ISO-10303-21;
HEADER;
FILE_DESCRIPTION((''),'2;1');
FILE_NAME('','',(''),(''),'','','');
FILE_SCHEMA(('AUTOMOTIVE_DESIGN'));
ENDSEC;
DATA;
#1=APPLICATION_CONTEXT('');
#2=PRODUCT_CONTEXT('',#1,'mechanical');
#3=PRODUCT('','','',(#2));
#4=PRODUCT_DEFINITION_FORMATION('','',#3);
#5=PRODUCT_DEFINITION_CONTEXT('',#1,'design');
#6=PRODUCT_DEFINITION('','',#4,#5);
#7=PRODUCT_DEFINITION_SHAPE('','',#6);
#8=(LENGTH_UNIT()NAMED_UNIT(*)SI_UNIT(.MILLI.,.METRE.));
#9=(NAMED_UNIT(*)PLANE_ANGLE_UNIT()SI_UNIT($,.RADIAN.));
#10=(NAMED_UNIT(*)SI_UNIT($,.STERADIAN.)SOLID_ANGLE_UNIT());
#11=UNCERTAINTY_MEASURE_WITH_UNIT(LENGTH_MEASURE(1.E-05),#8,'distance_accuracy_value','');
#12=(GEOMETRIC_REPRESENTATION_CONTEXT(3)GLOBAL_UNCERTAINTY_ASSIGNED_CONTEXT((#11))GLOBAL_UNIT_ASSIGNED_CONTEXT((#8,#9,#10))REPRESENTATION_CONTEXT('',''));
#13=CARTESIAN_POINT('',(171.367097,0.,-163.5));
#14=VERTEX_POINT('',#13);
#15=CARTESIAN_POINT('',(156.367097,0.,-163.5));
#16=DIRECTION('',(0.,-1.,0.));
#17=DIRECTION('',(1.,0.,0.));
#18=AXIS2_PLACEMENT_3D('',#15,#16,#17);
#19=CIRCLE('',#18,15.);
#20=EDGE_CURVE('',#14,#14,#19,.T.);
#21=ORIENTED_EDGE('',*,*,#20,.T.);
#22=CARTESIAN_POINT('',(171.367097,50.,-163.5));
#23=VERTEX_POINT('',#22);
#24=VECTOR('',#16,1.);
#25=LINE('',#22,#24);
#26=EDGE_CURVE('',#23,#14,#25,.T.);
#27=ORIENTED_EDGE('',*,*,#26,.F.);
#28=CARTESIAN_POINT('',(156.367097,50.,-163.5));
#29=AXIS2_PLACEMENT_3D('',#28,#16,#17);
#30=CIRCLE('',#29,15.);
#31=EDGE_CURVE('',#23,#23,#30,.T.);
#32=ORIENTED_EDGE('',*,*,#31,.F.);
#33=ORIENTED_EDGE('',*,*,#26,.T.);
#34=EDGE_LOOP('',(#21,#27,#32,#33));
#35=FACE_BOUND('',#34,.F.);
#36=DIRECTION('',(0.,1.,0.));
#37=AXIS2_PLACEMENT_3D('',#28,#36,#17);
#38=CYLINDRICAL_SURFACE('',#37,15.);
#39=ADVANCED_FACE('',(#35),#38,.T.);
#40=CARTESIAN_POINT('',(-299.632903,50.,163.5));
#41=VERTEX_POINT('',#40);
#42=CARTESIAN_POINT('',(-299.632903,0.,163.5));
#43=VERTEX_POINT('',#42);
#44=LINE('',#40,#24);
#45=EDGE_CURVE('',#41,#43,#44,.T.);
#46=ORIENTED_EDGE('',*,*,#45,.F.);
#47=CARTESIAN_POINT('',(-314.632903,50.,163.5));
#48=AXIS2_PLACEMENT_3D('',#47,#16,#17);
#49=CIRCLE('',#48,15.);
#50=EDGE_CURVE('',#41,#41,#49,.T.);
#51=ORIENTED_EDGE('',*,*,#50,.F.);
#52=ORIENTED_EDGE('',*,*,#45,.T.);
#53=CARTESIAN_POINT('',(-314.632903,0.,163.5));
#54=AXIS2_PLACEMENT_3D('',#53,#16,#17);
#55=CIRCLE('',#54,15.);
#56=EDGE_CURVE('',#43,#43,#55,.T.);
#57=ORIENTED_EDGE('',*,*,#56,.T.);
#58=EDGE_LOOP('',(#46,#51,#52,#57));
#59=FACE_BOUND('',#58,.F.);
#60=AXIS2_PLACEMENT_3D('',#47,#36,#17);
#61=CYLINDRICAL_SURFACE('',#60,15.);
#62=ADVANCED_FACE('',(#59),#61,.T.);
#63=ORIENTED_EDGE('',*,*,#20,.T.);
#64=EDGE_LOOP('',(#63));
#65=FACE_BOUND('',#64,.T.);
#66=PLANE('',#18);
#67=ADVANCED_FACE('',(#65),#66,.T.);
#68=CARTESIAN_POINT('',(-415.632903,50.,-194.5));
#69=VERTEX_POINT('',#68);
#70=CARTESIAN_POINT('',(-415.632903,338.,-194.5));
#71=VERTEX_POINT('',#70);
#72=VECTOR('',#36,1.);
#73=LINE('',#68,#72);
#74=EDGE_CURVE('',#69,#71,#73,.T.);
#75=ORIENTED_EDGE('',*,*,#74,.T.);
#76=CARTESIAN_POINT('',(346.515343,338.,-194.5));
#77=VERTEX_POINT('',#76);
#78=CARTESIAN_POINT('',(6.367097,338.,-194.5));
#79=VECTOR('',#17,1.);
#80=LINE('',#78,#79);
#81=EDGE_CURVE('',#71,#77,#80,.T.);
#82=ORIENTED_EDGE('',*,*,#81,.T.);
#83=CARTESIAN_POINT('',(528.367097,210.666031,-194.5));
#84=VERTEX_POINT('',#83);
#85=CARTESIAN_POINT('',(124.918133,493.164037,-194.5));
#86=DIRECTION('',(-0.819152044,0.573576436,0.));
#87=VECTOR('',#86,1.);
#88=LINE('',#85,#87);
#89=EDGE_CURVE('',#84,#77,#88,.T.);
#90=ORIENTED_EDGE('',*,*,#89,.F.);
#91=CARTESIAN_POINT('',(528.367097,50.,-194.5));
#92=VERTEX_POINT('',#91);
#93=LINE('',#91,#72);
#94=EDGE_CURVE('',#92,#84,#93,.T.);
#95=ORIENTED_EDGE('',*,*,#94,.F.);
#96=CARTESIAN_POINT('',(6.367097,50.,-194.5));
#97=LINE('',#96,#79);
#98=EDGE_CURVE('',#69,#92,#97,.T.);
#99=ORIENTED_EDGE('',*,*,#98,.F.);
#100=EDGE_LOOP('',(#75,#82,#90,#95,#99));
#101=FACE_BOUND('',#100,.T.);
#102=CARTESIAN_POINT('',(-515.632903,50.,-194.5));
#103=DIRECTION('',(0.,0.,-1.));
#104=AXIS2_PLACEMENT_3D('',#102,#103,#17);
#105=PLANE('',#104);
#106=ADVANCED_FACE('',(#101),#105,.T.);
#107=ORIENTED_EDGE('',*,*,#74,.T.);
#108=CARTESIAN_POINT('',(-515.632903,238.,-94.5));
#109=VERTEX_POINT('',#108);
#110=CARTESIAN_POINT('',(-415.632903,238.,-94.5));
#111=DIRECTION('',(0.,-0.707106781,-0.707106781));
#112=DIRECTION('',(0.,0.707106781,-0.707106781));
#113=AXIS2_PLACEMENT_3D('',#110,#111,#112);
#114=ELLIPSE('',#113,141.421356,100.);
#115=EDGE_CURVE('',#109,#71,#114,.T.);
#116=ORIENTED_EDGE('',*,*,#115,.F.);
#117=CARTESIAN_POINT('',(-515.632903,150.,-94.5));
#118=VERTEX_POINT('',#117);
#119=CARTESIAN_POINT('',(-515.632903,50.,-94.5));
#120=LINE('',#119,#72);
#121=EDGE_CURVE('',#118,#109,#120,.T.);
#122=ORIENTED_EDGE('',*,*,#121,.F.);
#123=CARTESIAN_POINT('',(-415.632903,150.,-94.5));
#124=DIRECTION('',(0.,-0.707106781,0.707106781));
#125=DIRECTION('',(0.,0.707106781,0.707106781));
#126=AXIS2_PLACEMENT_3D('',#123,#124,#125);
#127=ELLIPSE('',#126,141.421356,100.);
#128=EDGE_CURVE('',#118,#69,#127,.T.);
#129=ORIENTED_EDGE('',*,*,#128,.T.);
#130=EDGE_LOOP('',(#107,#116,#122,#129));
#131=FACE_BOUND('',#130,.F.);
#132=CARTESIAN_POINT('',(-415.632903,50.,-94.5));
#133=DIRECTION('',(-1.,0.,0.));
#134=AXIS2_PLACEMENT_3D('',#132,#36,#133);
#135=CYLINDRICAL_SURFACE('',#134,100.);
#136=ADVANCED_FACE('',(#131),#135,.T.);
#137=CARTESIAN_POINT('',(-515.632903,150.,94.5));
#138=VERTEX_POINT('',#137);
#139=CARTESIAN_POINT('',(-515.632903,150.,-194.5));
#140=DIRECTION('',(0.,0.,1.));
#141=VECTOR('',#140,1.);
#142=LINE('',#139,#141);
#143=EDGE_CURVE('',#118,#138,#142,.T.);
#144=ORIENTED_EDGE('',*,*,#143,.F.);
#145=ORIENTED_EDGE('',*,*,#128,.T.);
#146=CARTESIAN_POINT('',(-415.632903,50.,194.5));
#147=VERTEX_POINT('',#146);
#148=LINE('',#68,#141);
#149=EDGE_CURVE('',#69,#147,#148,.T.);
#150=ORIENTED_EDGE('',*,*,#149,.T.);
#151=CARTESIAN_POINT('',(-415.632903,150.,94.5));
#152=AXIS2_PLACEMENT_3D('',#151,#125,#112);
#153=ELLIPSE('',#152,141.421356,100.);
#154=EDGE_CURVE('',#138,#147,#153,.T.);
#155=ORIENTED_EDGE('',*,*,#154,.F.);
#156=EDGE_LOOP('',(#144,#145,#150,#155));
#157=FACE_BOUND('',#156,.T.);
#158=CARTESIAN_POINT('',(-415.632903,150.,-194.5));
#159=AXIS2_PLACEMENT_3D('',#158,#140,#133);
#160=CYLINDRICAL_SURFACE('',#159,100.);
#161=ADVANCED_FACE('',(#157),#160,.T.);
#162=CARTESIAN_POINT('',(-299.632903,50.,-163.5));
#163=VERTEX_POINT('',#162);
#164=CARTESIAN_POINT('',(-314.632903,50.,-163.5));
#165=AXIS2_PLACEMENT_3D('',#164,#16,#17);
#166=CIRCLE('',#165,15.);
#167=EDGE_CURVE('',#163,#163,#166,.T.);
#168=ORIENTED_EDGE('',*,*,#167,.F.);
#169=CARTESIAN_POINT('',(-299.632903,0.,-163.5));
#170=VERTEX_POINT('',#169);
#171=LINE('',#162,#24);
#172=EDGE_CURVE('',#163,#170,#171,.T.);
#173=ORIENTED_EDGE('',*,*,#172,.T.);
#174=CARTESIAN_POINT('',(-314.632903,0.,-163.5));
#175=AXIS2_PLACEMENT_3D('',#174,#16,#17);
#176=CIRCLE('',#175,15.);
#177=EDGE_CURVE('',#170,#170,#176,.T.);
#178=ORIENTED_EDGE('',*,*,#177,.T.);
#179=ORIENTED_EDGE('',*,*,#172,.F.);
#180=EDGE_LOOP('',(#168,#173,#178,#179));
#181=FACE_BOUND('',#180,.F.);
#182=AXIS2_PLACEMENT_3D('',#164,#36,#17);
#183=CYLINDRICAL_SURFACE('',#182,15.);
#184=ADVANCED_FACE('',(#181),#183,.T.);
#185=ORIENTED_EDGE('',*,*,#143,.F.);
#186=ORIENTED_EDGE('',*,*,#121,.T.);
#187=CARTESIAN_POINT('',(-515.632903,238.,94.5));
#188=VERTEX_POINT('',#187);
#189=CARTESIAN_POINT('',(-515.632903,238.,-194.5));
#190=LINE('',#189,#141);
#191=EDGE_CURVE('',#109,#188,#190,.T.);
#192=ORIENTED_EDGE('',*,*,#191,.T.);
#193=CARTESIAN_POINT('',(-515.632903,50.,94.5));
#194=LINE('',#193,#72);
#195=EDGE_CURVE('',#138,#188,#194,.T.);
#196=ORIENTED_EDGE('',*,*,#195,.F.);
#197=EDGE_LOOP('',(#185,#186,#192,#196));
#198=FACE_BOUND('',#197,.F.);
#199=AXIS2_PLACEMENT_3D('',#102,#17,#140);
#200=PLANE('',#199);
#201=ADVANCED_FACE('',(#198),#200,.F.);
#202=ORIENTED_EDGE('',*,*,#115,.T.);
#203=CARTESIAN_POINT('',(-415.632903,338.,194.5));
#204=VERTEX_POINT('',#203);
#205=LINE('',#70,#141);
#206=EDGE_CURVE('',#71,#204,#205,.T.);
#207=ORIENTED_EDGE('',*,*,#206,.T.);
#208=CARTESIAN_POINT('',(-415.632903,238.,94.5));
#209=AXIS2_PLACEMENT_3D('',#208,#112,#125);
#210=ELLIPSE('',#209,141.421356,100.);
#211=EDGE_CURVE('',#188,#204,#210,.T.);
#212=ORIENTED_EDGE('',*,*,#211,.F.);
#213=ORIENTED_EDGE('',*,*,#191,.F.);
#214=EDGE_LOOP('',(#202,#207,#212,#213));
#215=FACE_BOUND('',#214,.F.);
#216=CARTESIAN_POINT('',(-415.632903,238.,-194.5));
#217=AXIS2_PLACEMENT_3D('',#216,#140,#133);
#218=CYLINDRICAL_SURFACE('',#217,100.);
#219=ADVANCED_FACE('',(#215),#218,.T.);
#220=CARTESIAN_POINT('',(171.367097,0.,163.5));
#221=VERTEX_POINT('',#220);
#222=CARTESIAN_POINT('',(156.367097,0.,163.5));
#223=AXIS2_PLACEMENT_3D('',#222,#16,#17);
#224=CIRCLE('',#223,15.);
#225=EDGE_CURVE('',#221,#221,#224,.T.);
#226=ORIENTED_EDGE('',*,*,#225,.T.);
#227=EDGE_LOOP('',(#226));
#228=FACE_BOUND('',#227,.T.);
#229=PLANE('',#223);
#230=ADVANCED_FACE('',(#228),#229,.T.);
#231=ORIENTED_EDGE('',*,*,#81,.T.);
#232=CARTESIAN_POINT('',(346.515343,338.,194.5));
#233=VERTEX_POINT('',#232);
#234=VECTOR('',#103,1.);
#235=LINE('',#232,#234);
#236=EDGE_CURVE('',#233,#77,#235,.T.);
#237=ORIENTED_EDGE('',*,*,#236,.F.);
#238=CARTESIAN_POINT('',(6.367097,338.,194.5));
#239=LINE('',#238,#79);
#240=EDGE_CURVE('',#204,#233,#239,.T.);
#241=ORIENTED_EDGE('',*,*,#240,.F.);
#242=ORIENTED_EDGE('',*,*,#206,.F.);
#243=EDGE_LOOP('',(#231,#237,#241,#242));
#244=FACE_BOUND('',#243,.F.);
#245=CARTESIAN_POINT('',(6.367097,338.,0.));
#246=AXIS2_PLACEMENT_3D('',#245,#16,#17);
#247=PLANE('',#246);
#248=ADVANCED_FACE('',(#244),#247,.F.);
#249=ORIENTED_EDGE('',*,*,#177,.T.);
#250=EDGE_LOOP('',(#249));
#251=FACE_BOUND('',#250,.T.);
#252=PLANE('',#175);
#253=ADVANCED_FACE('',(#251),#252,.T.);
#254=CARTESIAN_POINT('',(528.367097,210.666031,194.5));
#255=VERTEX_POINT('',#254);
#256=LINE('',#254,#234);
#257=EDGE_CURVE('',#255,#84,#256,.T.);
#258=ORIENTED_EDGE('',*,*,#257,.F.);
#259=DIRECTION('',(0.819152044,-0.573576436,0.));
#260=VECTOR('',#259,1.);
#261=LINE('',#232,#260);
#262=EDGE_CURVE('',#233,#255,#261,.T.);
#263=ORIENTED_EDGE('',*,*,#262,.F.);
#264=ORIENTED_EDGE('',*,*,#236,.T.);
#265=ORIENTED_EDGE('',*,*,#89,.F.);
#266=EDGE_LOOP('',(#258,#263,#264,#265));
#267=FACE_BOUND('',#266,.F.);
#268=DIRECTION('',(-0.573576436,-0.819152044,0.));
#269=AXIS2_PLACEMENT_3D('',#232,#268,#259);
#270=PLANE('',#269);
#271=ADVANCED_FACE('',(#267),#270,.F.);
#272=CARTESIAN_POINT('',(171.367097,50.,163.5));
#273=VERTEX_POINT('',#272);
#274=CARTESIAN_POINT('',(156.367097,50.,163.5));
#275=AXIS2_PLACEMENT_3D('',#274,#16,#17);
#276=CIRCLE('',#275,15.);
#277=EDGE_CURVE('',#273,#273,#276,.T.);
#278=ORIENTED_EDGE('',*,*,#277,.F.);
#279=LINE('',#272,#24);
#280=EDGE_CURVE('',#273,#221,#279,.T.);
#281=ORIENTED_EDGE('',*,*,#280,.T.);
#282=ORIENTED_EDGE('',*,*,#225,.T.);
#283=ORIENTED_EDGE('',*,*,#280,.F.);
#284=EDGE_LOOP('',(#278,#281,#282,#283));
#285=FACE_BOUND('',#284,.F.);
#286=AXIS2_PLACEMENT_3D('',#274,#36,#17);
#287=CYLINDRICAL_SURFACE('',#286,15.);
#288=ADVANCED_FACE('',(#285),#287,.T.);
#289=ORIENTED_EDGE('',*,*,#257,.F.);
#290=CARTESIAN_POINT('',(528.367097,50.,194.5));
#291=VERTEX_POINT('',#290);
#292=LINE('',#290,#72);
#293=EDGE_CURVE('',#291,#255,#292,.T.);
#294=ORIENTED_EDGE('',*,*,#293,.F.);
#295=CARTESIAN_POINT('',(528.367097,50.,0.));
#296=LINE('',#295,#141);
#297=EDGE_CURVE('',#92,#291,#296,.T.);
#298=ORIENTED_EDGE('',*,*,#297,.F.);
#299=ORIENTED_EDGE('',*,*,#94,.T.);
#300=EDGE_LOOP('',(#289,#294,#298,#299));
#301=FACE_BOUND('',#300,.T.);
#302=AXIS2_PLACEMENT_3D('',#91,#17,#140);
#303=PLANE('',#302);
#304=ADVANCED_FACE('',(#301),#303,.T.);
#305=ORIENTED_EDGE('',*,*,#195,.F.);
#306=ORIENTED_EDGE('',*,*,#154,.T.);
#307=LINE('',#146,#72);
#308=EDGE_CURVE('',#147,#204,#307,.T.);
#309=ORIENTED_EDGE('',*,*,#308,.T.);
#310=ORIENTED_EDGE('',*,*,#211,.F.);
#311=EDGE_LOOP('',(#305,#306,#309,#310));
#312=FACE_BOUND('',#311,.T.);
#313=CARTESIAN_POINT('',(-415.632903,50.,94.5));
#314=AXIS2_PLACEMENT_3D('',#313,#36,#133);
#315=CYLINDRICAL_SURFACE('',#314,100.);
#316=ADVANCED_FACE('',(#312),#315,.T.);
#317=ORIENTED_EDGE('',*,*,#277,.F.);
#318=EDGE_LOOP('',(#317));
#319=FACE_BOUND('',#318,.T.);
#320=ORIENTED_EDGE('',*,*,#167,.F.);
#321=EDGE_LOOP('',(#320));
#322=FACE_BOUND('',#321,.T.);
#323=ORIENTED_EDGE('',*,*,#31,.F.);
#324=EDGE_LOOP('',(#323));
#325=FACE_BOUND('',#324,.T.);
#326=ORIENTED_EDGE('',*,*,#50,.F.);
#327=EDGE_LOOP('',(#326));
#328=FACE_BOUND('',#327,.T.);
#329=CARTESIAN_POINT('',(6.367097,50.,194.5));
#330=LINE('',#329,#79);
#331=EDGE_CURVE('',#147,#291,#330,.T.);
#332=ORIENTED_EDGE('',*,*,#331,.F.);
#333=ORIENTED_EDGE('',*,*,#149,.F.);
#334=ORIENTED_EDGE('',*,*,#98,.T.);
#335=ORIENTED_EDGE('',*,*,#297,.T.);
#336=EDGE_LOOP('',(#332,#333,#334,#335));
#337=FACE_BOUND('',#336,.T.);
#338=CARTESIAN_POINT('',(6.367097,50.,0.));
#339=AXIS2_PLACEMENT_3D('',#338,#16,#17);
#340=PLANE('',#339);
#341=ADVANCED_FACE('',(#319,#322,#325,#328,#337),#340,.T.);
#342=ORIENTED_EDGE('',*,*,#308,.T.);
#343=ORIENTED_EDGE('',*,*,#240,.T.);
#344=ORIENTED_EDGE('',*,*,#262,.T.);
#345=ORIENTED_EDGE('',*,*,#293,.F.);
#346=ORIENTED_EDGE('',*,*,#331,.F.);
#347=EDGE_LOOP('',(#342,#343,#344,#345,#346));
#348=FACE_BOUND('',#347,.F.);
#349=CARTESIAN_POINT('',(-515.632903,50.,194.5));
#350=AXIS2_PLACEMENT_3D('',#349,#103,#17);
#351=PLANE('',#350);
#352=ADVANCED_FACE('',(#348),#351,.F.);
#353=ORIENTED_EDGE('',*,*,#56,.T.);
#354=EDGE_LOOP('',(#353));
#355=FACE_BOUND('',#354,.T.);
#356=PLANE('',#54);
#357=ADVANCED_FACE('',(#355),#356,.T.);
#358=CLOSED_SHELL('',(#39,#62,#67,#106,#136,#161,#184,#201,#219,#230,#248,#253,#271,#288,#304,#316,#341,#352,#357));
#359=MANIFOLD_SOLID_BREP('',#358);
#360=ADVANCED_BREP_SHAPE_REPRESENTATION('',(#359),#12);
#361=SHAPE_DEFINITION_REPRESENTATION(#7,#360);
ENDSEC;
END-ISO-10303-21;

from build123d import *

# Parameters (mm, degrees)
F1_W     = 1044
F1_H     = 389
F2_DEPTH = 288
F3_R     = 100
F5_DEPTH = 389.001
F6_R     = 15
F7_DEPTH = 50


with BuildPart() as f2:
    # F1 (on Front) → F2 (new body)
    with BuildSketch(Plane.XZ):
        with Locations((6.3670966774, 0)):
            Rectangle(F1_W, F1_H)
    extrude(amount=-F2_DEPTH)

    # F3
    f3_edges = [f2.edges().sort_by_distance(p)[0] for p in [
        (-515.632903, 144, 194.5),
        (-515.632903, 144, -194.5),
        (-515.632903, 0, 0),
        (-515.632903, 288, 0),
    ]]
    fillet(f3_edges, radius=F3_R)

    # F4 (on face) → F5 (cut, through all)
    with BuildSketch(Plane.XY.offset(194.5)):
        Polygon((528.3670966774, 288), (346.5153428453, 288), (528.3670966774, 160.6660311301), align=None)
    extrude(amount=-F5_DEPTH, mode=Mode.SUBTRACT)

    # F6 (on face) → F7 (join)
    with BuildSketch(Plane.XZ):
        with Locations((-314.6329033226, 163.5)):
            Circle(F6_R)
        with Locations((156.3670966774, 163.5)):
            Circle(F6_R)
        with Locations((156.3670966774, -163.5)):
            Circle(F6_R)
        with Locations((-314.6329033226, -163.5)):
            Circle(F6_R)
    extrude(amount=F7_DEPTH)


with BuildPart() as f2_1:
    # F8: moved
    add(f2.part.moved(Location((0, 50, 0))))


solid = f2_1.part
